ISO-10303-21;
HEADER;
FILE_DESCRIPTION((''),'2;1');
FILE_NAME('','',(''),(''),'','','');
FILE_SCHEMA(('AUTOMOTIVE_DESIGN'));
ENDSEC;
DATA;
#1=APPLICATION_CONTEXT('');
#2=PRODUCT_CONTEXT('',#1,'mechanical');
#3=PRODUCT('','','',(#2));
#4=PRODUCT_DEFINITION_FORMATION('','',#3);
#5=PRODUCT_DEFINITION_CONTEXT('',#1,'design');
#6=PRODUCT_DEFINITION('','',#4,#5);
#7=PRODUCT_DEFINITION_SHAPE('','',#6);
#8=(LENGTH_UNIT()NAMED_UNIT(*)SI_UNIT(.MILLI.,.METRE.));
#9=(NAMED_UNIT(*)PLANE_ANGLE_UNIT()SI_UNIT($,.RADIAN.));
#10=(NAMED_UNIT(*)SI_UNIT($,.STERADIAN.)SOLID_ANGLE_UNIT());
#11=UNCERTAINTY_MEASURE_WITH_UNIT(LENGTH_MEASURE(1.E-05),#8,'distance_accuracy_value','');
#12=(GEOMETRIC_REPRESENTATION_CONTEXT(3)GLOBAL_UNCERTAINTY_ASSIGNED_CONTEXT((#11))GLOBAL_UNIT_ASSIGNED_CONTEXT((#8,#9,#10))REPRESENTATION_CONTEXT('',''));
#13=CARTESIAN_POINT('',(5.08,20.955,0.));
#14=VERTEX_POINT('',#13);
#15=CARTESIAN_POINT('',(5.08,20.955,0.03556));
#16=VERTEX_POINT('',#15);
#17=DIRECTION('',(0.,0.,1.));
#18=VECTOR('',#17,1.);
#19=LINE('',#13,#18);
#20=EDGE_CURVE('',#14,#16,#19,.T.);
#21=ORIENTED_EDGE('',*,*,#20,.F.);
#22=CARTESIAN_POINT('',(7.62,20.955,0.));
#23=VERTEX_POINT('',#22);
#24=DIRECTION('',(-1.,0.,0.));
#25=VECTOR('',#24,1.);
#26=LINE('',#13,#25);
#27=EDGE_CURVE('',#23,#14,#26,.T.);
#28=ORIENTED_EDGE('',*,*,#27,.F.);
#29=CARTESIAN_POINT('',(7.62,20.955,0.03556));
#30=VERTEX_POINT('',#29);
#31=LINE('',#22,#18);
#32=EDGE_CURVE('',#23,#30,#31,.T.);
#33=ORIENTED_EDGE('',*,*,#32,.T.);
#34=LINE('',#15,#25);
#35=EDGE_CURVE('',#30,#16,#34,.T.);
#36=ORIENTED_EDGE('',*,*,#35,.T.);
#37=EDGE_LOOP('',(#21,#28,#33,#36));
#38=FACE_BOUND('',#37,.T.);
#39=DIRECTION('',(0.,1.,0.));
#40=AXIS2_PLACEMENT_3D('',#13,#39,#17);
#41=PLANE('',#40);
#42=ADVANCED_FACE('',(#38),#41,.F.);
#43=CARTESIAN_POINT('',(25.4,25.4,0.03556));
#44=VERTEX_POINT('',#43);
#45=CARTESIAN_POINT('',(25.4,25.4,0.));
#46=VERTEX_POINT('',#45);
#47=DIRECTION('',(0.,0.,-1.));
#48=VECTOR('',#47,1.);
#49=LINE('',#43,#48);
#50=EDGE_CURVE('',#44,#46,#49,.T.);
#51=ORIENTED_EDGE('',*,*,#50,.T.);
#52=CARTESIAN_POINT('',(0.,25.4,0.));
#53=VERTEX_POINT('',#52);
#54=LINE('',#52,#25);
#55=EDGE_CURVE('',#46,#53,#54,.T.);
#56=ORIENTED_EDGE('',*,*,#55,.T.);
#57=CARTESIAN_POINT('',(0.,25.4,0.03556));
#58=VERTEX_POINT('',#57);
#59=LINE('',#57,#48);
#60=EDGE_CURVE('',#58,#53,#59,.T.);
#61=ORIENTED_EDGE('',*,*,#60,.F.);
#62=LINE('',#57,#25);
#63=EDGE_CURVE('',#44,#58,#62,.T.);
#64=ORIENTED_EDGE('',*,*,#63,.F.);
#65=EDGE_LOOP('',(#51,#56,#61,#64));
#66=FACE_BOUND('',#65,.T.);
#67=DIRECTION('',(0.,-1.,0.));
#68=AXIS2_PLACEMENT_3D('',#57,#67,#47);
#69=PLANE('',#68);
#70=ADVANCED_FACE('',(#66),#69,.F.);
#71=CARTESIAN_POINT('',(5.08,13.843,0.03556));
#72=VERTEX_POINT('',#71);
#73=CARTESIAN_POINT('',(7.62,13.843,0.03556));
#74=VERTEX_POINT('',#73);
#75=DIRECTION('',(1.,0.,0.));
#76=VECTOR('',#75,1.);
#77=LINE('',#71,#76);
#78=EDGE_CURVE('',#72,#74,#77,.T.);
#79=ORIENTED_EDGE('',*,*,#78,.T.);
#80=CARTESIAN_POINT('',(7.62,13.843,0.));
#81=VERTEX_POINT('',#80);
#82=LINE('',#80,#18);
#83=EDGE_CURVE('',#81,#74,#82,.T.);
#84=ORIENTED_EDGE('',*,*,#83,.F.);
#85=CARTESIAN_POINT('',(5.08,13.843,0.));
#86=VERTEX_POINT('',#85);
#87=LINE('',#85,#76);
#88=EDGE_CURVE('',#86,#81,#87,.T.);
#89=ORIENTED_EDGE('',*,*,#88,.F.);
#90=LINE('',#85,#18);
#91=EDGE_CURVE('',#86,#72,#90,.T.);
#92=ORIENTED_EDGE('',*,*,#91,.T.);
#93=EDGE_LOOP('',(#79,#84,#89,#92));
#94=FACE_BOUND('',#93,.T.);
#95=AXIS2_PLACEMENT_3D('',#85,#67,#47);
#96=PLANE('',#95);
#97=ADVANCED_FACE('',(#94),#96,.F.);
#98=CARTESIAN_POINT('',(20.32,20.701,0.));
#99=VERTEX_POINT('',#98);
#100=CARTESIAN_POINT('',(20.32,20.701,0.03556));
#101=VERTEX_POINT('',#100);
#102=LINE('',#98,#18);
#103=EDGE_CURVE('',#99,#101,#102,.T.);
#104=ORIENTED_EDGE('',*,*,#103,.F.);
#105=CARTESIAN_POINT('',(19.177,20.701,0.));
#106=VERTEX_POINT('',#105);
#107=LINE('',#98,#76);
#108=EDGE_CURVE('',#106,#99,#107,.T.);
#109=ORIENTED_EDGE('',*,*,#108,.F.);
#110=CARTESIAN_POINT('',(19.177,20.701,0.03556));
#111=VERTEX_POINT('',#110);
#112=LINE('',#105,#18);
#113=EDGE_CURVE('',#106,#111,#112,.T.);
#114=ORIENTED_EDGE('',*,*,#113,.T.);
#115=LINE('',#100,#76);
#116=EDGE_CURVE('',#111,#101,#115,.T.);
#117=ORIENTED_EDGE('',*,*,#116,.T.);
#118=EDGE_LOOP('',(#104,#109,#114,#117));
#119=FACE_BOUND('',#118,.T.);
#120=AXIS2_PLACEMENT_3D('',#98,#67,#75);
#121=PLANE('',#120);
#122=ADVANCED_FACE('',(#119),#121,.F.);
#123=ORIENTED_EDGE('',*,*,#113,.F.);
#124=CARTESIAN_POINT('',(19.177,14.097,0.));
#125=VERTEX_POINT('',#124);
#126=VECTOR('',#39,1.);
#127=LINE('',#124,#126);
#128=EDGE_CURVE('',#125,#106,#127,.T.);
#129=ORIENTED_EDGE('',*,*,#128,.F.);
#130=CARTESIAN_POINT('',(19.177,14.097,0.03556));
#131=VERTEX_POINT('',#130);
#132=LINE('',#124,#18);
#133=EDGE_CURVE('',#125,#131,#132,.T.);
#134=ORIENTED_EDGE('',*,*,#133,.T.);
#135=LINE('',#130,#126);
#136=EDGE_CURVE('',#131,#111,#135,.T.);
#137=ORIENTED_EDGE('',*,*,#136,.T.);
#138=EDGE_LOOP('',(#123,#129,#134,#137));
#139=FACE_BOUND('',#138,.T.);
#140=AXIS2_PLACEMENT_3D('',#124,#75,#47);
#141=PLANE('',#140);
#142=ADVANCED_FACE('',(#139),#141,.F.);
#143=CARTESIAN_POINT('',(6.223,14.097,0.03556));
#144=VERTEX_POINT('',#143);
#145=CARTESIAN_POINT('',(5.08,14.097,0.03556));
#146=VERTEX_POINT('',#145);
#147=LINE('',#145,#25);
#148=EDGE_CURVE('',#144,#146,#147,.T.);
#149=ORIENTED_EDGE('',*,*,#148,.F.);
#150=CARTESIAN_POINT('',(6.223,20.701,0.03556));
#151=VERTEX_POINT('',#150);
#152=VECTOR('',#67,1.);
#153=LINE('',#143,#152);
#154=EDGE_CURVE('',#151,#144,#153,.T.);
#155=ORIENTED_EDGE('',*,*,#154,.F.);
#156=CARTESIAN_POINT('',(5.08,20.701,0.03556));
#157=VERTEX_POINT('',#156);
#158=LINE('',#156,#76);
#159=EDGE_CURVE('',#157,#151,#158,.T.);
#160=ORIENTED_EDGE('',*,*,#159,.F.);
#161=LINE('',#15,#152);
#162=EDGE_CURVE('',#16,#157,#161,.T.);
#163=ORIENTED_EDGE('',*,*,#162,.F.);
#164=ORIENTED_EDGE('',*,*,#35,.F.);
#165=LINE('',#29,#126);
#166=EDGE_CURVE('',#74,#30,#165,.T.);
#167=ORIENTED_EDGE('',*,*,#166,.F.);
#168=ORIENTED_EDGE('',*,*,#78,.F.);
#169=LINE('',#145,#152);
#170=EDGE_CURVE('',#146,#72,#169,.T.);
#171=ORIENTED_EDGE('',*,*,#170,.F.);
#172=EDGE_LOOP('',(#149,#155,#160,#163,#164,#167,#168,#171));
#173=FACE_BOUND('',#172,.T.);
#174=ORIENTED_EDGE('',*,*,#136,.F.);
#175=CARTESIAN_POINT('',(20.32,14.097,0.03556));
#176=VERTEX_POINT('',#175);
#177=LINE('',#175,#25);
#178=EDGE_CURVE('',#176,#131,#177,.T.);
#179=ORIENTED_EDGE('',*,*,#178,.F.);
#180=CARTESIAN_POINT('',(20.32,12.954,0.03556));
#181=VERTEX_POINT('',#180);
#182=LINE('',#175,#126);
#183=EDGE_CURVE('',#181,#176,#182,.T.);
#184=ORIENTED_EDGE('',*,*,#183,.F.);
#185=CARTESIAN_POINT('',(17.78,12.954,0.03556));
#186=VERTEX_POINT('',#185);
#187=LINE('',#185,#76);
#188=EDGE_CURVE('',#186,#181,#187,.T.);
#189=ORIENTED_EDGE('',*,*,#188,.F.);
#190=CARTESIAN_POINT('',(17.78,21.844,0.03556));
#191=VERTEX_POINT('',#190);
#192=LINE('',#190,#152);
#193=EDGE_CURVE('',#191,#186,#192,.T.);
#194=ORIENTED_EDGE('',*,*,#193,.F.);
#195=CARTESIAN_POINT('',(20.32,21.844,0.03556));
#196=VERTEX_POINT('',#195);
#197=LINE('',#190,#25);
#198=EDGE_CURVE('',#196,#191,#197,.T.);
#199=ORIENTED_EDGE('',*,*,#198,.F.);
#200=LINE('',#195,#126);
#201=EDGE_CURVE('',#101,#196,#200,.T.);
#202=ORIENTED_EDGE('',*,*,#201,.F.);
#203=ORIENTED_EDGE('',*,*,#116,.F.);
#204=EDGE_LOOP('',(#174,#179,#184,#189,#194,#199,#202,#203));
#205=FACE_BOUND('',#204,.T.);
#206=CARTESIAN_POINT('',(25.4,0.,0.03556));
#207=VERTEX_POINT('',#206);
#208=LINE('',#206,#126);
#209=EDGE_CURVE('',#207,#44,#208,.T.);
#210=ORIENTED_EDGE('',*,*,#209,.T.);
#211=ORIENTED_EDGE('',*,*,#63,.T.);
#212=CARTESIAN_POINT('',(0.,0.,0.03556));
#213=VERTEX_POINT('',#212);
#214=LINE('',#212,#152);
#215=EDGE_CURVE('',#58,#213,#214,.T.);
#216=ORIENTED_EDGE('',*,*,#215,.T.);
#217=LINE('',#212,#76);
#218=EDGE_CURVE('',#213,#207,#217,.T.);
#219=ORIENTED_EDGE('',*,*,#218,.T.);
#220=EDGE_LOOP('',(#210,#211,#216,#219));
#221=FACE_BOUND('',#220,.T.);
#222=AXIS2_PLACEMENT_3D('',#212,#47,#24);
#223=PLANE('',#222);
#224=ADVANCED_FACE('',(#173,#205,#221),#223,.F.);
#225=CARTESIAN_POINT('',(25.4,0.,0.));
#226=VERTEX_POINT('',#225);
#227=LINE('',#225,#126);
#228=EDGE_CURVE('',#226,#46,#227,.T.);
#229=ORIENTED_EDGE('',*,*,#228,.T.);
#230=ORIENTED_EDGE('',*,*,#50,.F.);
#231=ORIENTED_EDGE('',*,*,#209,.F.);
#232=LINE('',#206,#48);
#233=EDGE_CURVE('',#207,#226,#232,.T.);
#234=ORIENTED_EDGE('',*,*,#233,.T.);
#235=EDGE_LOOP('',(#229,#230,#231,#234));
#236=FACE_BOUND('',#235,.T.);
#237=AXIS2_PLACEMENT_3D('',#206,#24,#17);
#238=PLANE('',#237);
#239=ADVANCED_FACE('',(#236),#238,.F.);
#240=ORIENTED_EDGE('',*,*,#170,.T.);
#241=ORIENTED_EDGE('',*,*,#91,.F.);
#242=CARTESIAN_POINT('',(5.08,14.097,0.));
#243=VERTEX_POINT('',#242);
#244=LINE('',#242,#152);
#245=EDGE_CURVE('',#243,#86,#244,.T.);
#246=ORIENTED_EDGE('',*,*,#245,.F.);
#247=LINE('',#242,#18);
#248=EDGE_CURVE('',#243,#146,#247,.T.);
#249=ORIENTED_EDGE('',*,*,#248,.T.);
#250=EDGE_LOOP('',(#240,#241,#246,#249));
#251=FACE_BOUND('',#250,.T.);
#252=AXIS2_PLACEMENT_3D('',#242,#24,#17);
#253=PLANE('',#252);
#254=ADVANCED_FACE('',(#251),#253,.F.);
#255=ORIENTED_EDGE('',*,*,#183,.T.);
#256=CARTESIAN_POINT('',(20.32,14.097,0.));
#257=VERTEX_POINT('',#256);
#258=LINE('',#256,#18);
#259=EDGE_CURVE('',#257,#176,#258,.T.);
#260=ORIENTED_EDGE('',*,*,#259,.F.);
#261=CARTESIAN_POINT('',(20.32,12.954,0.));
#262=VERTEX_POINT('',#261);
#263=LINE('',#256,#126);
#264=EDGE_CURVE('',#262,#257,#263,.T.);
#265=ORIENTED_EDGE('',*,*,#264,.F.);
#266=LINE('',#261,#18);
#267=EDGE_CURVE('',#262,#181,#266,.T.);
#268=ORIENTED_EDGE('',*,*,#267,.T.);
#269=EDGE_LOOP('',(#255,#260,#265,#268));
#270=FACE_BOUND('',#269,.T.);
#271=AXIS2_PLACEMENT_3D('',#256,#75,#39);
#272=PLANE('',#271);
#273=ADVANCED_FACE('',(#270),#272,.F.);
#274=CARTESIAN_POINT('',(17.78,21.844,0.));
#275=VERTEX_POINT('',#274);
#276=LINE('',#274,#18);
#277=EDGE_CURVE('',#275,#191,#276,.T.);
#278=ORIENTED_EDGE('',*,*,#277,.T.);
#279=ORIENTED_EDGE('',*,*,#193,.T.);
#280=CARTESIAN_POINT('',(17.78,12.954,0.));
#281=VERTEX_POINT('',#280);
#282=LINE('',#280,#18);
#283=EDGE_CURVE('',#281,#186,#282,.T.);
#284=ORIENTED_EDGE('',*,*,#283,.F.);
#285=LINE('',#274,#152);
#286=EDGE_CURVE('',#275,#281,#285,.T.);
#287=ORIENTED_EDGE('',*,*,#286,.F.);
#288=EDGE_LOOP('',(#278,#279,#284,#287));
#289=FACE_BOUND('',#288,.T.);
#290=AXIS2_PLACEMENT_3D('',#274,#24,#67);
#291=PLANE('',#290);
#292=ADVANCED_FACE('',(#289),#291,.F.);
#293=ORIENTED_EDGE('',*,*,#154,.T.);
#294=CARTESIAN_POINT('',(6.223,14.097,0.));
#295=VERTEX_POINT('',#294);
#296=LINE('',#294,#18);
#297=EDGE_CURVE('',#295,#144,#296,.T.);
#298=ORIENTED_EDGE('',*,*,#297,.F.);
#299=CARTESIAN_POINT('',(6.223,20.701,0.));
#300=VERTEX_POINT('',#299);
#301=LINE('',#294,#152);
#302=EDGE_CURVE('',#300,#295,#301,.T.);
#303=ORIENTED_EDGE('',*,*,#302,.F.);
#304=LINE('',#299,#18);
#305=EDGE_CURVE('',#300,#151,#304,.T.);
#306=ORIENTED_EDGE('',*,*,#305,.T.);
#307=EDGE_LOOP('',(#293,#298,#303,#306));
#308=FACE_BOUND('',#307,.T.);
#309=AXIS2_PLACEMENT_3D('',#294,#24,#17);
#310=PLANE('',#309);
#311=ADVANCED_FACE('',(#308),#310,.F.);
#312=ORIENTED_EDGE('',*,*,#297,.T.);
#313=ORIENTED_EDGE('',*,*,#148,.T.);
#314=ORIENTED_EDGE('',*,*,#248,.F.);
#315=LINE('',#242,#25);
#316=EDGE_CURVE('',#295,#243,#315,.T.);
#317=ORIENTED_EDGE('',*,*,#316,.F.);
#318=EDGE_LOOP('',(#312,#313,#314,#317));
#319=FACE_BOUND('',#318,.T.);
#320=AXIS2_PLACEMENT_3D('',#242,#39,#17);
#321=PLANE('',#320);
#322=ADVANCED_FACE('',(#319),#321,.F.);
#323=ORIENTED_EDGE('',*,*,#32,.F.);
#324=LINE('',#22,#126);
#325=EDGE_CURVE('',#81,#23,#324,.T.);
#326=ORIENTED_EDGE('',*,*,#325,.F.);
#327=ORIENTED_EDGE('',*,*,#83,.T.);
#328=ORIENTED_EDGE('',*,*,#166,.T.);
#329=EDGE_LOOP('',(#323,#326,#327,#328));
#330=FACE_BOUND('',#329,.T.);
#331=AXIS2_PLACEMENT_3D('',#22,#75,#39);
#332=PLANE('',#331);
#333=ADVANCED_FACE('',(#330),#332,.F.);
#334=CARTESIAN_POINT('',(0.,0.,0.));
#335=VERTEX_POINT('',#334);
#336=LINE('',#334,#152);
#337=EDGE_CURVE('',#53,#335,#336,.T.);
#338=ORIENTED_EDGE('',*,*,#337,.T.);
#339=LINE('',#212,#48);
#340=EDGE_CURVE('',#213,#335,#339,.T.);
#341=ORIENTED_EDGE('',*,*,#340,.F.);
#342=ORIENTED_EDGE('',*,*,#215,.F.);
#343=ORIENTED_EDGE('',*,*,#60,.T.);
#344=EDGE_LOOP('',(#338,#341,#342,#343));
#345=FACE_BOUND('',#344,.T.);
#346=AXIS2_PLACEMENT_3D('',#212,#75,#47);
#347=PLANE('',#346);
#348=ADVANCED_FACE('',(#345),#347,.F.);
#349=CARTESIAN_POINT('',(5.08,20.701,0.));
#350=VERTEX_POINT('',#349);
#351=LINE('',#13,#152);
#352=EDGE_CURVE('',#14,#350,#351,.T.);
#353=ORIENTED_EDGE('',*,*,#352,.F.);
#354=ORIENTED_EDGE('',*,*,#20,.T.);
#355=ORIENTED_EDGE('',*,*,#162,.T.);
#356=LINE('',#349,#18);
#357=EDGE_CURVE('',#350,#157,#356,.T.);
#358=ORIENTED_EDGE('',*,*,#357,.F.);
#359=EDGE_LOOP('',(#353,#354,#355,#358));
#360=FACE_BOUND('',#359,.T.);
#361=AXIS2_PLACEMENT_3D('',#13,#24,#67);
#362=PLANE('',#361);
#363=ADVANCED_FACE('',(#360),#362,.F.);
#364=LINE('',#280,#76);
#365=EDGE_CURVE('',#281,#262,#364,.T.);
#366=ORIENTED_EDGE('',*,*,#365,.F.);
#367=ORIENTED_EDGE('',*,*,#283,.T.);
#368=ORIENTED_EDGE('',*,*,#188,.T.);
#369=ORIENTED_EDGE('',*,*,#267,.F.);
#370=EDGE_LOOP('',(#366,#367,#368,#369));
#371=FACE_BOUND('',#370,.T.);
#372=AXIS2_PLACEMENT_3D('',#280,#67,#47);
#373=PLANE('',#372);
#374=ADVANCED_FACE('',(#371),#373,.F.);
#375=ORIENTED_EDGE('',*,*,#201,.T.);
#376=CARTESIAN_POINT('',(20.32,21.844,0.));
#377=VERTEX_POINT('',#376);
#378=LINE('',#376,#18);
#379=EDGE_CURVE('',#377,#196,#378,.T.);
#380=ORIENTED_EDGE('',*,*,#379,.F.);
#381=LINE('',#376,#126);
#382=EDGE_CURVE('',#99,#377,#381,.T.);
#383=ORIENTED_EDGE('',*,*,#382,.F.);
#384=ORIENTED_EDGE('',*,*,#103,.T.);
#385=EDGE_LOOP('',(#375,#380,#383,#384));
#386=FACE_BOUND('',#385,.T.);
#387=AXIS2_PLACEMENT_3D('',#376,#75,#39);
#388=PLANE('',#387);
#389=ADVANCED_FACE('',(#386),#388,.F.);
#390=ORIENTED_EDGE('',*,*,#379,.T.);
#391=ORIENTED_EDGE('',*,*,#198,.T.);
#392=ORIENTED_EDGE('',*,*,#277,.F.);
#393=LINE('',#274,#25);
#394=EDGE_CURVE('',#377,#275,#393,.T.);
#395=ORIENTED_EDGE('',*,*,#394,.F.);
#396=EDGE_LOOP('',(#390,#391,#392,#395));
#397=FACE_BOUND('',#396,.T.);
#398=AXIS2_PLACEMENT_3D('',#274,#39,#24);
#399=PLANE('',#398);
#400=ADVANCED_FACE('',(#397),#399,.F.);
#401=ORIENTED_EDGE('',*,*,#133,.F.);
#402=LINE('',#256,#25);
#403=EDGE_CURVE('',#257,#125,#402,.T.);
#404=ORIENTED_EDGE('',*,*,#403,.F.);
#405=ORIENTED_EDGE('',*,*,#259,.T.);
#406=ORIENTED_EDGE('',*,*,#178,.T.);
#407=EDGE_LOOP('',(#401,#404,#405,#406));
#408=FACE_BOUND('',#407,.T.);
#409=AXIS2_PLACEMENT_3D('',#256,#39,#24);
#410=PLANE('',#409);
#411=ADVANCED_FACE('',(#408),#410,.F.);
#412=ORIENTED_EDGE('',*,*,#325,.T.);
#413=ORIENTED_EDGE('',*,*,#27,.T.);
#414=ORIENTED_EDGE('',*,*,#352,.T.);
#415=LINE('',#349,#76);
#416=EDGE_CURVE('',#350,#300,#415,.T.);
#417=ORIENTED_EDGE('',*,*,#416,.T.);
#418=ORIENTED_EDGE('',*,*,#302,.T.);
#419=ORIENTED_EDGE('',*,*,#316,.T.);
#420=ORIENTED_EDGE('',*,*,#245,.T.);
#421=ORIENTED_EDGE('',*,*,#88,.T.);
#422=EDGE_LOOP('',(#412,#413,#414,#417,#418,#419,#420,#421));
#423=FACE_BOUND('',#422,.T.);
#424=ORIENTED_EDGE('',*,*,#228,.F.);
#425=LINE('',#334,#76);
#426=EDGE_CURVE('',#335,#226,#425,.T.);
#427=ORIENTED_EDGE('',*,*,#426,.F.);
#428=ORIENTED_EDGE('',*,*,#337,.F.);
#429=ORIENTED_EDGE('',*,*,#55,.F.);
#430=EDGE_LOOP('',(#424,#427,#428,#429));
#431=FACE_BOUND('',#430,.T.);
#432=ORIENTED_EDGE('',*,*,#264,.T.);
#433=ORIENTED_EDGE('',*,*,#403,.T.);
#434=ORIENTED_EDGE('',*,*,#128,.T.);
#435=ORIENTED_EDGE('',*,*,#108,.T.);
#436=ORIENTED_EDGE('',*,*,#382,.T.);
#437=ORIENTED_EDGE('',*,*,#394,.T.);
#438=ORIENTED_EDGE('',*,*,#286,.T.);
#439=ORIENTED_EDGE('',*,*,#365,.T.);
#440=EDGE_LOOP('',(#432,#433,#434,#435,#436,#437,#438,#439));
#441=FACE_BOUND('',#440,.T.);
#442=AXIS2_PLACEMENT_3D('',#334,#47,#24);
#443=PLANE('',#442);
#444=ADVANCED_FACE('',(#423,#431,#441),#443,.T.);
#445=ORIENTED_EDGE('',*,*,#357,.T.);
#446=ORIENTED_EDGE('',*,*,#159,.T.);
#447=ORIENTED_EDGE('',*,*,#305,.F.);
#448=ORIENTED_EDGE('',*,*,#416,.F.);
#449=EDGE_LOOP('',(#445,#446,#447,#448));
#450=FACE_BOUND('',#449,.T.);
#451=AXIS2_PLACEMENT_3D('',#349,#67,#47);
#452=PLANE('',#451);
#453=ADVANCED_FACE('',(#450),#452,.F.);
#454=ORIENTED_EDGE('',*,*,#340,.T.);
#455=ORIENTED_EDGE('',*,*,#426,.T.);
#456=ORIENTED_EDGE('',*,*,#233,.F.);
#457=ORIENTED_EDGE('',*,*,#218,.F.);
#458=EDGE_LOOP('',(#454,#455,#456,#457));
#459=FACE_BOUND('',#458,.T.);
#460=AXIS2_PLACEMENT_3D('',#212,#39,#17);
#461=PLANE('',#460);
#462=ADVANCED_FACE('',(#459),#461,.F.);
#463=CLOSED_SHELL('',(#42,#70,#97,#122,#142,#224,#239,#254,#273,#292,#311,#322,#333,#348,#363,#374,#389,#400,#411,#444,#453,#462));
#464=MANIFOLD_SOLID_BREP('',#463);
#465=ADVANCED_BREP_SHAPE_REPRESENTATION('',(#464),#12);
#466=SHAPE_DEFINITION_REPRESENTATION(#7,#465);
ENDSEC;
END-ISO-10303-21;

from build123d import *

# Parameters (mm, degrees)
SKETCH1_W           = 25.4
SKETCH1_H           = 25.4
BOSS_EXTRUDE1_DEPTH = 0.03556
CUT_EXTRUDE1_DEPTH  = 36.921042086


with BuildPart() as part:
    # Sketch1 → Boss-Extrude1 (new body)
    with BuildSketch(Plane.XY):
        with Locations((12.7, 12.7)):
            Rectangle(SKETCH1_W, SKETCH1_H)
    extrude(amount=BOSS_EXTRUDE1_DEPTH)

    # Sketch2 → Cut-Extrude1 (cut, through all)
    with BuildSketch(Plane.XY.offset(0.03556)):
        Polygon((5.08, 20.955), (7.62, 20.955), (7.62, 13.843), (5.08, 13.843), (5.08, 14.097), (6.223, 14.097), (6.223, 20.701), (5.08, 20.701), align=None)
        Polygon((17.78, 21.844), (20.32, 21.844), (20.32, 20.701), (19.177, 20.701), (19.177, 14.097), (20.32, 14.097), (20.32, 12.954), (17.78, 12.954), align=None)
    extrude(amount=-CUT_EXTRUDE1_DEPTH, mode=Mode.SUBTRACT)


solid = part.part
